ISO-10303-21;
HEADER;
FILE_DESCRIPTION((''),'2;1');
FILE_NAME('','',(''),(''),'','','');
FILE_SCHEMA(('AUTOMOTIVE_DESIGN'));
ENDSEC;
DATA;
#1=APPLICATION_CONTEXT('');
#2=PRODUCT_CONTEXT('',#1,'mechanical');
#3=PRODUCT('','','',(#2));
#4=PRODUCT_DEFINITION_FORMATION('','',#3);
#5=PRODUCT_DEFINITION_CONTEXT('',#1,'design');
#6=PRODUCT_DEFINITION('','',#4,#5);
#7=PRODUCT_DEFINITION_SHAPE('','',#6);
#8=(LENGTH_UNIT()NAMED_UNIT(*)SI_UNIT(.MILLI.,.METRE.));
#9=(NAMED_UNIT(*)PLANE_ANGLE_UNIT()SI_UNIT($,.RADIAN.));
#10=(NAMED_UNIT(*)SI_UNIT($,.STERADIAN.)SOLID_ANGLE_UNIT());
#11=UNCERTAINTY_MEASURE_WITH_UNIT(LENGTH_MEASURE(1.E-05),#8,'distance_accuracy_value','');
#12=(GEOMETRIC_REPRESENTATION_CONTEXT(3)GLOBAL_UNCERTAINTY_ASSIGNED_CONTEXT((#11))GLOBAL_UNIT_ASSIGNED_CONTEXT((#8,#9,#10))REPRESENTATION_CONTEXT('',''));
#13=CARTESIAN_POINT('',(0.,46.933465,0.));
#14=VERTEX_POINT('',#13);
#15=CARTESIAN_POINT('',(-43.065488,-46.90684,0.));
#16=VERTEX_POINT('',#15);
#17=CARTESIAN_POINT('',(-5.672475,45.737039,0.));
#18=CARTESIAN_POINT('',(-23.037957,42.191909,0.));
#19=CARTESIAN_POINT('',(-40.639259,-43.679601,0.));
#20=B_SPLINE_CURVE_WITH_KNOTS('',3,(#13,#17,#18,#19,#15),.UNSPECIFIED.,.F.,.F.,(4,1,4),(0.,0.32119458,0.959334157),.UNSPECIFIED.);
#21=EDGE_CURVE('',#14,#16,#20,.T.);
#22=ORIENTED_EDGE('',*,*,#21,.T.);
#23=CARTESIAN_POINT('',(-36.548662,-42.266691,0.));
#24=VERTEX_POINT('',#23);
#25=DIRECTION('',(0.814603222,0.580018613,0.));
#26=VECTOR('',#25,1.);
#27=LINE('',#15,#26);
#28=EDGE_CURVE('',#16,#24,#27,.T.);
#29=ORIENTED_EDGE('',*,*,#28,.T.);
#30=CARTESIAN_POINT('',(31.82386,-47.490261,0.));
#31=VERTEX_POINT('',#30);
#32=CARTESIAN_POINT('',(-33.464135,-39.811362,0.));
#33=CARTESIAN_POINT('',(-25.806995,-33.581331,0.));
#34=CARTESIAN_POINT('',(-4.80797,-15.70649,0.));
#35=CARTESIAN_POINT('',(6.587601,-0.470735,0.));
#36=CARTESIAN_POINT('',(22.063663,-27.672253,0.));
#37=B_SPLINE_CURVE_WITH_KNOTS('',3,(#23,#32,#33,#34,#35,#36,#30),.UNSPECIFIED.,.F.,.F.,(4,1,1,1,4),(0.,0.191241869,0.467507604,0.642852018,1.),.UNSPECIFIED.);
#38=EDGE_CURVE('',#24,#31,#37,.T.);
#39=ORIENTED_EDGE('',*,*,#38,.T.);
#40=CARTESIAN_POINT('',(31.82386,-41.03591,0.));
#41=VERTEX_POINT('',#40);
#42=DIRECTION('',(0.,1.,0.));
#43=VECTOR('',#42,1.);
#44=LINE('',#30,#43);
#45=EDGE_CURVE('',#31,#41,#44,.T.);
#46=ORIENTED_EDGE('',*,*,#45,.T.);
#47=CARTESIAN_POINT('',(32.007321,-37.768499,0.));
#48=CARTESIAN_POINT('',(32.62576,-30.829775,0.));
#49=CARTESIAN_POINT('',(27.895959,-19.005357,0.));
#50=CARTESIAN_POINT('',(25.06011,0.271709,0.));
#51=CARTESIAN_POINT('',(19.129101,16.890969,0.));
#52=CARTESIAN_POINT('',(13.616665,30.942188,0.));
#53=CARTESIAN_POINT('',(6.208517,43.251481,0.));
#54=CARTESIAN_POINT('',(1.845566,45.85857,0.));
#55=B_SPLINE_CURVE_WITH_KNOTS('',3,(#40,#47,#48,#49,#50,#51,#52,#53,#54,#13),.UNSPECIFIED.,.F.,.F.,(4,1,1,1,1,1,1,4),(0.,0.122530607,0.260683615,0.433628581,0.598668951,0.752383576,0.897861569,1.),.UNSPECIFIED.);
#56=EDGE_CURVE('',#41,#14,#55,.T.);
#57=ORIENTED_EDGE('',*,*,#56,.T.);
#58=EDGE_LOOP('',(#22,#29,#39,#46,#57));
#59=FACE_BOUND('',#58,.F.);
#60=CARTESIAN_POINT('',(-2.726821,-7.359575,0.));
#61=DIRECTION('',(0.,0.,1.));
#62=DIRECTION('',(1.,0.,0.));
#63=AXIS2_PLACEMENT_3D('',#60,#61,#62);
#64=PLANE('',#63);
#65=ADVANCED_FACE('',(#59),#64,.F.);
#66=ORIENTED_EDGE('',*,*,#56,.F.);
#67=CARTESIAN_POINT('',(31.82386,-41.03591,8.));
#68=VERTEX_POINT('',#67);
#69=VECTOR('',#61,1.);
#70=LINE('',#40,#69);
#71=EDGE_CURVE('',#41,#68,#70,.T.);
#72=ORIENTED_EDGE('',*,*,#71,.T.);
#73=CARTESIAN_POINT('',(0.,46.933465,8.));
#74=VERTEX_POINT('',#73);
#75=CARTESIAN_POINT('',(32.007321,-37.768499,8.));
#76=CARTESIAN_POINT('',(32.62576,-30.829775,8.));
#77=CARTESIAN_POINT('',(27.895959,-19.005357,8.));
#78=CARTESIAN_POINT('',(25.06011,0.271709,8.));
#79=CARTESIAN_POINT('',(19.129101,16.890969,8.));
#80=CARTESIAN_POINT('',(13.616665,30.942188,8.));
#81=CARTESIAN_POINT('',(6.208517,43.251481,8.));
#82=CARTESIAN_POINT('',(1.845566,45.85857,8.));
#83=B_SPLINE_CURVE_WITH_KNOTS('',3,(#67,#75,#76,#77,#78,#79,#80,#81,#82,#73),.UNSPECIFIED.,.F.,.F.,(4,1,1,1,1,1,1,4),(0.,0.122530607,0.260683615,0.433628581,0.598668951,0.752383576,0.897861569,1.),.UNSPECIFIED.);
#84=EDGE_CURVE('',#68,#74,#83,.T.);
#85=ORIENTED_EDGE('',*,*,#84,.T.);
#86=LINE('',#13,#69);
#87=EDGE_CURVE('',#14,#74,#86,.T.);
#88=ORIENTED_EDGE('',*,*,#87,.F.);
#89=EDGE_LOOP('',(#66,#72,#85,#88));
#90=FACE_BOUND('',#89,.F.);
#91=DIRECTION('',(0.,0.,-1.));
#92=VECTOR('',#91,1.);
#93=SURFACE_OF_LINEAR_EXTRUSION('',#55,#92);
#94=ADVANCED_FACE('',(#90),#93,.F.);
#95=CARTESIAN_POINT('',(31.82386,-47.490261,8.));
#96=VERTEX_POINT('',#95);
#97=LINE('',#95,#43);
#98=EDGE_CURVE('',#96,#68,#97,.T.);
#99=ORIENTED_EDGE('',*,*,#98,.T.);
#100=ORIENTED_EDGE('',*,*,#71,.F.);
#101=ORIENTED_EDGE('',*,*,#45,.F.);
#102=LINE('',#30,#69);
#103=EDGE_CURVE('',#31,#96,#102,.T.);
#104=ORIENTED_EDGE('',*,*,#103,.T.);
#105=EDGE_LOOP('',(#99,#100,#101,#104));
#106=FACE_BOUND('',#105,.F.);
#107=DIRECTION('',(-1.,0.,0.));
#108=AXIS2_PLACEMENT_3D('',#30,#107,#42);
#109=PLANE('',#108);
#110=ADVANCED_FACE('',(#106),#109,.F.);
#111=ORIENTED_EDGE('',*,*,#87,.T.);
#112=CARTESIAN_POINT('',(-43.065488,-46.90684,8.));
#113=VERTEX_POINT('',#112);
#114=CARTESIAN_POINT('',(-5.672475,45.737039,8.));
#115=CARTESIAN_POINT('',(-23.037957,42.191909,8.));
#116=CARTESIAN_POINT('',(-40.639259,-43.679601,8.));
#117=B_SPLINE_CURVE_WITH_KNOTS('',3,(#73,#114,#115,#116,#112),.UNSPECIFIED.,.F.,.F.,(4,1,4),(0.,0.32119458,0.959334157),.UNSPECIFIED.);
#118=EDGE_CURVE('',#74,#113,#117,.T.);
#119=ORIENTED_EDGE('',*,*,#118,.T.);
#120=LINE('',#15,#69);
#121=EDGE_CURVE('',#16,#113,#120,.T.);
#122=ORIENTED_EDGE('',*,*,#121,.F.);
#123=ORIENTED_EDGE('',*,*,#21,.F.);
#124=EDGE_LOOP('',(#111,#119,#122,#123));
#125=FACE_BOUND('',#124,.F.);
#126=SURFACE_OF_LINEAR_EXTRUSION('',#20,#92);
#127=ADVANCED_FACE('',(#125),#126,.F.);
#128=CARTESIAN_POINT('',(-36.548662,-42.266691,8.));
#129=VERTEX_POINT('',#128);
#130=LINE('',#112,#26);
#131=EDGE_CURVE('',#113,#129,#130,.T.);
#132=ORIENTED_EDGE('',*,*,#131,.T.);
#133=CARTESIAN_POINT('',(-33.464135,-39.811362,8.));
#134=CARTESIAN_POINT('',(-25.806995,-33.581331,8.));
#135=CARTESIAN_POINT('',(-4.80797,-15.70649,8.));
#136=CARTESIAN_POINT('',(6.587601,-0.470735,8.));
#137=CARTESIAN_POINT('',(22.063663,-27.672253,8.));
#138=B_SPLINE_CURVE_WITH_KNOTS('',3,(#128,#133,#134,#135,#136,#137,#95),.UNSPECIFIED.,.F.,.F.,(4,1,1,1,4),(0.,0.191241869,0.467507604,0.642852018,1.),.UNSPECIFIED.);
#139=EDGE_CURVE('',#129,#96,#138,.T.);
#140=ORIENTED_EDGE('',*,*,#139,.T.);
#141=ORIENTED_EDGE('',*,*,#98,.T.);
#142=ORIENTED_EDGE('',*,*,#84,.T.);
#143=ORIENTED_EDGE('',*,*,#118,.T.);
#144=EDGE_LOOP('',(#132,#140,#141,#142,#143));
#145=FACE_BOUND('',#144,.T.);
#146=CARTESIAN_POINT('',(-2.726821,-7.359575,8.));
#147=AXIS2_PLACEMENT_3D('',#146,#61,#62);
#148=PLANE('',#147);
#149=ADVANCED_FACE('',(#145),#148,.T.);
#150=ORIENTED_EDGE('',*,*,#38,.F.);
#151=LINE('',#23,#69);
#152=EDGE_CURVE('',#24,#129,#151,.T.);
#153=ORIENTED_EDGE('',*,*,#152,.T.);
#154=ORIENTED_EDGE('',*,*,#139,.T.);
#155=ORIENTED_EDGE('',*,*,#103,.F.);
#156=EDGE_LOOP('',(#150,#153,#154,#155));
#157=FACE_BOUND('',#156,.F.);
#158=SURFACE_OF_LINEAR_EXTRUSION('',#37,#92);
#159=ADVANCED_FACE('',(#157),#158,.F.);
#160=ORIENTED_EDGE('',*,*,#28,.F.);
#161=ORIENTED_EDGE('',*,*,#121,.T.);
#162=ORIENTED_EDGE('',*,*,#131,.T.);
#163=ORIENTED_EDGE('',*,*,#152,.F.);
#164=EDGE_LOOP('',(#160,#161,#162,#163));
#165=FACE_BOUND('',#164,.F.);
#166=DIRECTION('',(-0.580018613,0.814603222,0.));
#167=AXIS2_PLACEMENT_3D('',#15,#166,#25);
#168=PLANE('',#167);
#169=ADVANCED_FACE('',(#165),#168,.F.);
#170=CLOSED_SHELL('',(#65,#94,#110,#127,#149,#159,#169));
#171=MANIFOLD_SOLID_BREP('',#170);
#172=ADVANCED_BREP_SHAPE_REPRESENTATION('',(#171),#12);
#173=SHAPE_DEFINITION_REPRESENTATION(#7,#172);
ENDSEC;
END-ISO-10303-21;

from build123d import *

# Parameters (mm, degrees)
F1_DEPTH = 8


with BuildPart() as f1:
    # F0 (on Top) → F1 (new body)
    with BuildSketch(Plane.XY):
        with BuildLine():
            add(Edge.make_bspline(
                [(31.8238601257, -41.0359096207), (32.0073210236, -37.7684985577), (32.6257596123, -30.8297751349), (27.8959592093, -19.0053574779), (25.060110191, 0.2717087159), (19.1291005381, 16.8909685006), (13.6166654303, 30.9421876015), (6.2085167365, 43.2514806306), (1.8455664458, 45.8585699844), (0, 46.9334646269)],
                knots=[0, 0, 0, 0, 0.1225306066, 0.2606836152, 0.4336285814, 0.5986689508, 0.7523835755, 0.8978615693, 1, 1, 1, 1], degree=3))
            add(Edge.make_bspline(
                [(0, 46.9334646269), (-5.6724746892, 45.7370391414), (-23.0379566961, 42.1919093122), (-40.6392588386, -43.6796010516), (-43.0654876749, -46.9068395715)],
                knots=[0, 0, 0, 0, 0.3211945795, 0.9593341569, 0.9593341569, 0.9593341569, 0.9593341569], degree=3))
            Line((-43.0654876749, -46.9068395715), (-36.5486619024, -42.2666906676))
            add(Edge.make_bspline(
                [(-36.5486619024, -42.2666906676), (-33.4641349352, -39.8113618762), (-25.8069948617, -33.5813307552), (-4.8079700658, -15.7064901384), (6.5876005197, -0.4707353077), (22.0636628619, -27.6722526599), (31.8238601257, -47.4902611008)],
                knots=[0, 0, 0, 0, 0.1912418695, 0.4675076037, 0.642852018, 1, 1, 1, 1], degree=3))
            Line((31.8238601257, -47.4902611008), (31.8238601257, -41.0359096207))
        make_face()
    extrude(amount=F1_DEPTH)


solid = f1.part
